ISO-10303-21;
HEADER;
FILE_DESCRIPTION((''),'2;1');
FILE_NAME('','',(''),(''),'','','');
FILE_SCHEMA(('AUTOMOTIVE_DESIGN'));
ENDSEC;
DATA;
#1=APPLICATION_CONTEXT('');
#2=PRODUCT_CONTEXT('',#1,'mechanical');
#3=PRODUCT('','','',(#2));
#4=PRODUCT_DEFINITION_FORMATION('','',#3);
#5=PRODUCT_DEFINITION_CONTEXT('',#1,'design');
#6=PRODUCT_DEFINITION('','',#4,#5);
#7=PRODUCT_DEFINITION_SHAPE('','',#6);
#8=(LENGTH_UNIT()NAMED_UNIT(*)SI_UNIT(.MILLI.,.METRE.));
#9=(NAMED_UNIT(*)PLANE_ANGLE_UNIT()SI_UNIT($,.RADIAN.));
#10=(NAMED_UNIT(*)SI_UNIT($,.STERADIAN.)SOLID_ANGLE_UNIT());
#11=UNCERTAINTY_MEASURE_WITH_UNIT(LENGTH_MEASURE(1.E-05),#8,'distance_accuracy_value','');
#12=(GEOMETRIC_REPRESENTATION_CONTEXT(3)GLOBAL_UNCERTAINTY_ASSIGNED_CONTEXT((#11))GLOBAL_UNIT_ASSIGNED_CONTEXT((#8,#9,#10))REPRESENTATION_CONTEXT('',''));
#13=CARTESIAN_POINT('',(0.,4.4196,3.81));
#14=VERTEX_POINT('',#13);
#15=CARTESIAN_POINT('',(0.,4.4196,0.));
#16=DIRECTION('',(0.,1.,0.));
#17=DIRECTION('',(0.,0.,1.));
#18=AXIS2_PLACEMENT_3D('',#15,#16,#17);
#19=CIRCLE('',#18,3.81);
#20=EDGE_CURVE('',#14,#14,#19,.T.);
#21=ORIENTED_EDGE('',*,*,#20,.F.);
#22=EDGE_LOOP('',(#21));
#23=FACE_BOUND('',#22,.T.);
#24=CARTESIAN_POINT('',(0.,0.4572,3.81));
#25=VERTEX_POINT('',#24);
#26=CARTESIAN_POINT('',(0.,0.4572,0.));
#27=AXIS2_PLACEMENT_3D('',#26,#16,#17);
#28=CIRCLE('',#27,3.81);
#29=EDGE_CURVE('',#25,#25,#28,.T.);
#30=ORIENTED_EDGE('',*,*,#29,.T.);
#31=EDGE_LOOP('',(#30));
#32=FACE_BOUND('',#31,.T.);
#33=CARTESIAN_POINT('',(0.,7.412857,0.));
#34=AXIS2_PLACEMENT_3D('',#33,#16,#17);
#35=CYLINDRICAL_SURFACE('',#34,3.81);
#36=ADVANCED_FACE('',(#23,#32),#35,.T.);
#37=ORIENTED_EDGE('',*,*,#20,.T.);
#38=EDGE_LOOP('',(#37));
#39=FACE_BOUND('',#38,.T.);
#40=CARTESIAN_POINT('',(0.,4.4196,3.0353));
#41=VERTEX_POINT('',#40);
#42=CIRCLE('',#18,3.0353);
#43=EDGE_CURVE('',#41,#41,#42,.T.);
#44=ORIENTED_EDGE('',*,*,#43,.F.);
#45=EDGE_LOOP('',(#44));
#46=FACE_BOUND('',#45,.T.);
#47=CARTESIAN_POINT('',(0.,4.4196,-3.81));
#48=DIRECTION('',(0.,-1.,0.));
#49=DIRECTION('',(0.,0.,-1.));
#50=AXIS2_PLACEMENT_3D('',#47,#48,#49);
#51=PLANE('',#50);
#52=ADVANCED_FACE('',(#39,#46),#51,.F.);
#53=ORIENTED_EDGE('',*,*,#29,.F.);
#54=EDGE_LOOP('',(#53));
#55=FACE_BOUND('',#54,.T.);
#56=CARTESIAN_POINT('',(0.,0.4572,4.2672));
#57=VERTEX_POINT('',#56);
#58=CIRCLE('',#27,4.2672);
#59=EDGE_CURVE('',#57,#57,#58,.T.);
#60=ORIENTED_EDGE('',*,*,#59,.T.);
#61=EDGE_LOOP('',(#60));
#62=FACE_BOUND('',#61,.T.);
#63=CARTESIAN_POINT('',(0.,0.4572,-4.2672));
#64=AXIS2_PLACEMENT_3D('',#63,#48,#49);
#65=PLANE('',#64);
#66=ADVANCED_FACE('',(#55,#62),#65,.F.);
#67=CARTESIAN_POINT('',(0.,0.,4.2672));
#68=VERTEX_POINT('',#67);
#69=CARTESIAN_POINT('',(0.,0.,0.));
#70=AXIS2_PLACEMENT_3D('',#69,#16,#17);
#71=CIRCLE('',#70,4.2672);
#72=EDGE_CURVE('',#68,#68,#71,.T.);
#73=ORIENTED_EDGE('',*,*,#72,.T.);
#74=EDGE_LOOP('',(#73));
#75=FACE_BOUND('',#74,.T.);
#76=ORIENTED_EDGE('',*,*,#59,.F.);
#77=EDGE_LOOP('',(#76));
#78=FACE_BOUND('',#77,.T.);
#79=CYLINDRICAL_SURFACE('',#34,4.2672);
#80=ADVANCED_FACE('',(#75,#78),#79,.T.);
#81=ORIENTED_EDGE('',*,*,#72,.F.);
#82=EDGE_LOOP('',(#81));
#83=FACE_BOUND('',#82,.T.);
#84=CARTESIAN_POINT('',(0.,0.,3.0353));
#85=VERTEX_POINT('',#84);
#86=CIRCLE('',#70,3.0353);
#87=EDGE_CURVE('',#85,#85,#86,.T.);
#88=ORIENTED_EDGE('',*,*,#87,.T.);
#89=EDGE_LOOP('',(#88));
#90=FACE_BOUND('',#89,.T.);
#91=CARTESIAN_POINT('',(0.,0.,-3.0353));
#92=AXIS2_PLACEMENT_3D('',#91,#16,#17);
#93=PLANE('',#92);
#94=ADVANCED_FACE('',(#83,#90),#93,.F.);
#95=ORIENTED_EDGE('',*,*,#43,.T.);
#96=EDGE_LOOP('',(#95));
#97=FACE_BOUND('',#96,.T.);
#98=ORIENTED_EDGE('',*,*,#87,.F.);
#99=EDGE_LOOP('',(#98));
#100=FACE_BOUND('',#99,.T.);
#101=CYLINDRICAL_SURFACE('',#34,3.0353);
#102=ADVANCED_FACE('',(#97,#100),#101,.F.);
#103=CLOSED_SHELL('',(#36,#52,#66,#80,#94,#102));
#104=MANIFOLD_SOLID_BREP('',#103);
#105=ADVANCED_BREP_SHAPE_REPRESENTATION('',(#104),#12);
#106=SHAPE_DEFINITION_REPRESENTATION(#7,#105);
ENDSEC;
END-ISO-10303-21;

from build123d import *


with BuildPart() as part:
    # Sketch1 → Revolve1 (revolve)
    with BuildSketch(Plane(origin=(0, 0, 0), x_dir=(0, 0, -1), z_dir=(1, 0, 0)), mode=Mode.PRIVATE) as revolve1_sk:
        Polygon((3.0353, 0), (4.2672, 0), (4.2672, 0.4572), (3.81, 0.4572), (3.81, 4.4196), (3.0353, 4.4196), align=None)
    revolve(revolve1_sk.sketch.rotate(Axis((0, 7.412856612, 0), (0, -1, 0)), 180), axis=Axis((0, 7.412856612, 0), (0, -1, 0)))


solid = part.part
